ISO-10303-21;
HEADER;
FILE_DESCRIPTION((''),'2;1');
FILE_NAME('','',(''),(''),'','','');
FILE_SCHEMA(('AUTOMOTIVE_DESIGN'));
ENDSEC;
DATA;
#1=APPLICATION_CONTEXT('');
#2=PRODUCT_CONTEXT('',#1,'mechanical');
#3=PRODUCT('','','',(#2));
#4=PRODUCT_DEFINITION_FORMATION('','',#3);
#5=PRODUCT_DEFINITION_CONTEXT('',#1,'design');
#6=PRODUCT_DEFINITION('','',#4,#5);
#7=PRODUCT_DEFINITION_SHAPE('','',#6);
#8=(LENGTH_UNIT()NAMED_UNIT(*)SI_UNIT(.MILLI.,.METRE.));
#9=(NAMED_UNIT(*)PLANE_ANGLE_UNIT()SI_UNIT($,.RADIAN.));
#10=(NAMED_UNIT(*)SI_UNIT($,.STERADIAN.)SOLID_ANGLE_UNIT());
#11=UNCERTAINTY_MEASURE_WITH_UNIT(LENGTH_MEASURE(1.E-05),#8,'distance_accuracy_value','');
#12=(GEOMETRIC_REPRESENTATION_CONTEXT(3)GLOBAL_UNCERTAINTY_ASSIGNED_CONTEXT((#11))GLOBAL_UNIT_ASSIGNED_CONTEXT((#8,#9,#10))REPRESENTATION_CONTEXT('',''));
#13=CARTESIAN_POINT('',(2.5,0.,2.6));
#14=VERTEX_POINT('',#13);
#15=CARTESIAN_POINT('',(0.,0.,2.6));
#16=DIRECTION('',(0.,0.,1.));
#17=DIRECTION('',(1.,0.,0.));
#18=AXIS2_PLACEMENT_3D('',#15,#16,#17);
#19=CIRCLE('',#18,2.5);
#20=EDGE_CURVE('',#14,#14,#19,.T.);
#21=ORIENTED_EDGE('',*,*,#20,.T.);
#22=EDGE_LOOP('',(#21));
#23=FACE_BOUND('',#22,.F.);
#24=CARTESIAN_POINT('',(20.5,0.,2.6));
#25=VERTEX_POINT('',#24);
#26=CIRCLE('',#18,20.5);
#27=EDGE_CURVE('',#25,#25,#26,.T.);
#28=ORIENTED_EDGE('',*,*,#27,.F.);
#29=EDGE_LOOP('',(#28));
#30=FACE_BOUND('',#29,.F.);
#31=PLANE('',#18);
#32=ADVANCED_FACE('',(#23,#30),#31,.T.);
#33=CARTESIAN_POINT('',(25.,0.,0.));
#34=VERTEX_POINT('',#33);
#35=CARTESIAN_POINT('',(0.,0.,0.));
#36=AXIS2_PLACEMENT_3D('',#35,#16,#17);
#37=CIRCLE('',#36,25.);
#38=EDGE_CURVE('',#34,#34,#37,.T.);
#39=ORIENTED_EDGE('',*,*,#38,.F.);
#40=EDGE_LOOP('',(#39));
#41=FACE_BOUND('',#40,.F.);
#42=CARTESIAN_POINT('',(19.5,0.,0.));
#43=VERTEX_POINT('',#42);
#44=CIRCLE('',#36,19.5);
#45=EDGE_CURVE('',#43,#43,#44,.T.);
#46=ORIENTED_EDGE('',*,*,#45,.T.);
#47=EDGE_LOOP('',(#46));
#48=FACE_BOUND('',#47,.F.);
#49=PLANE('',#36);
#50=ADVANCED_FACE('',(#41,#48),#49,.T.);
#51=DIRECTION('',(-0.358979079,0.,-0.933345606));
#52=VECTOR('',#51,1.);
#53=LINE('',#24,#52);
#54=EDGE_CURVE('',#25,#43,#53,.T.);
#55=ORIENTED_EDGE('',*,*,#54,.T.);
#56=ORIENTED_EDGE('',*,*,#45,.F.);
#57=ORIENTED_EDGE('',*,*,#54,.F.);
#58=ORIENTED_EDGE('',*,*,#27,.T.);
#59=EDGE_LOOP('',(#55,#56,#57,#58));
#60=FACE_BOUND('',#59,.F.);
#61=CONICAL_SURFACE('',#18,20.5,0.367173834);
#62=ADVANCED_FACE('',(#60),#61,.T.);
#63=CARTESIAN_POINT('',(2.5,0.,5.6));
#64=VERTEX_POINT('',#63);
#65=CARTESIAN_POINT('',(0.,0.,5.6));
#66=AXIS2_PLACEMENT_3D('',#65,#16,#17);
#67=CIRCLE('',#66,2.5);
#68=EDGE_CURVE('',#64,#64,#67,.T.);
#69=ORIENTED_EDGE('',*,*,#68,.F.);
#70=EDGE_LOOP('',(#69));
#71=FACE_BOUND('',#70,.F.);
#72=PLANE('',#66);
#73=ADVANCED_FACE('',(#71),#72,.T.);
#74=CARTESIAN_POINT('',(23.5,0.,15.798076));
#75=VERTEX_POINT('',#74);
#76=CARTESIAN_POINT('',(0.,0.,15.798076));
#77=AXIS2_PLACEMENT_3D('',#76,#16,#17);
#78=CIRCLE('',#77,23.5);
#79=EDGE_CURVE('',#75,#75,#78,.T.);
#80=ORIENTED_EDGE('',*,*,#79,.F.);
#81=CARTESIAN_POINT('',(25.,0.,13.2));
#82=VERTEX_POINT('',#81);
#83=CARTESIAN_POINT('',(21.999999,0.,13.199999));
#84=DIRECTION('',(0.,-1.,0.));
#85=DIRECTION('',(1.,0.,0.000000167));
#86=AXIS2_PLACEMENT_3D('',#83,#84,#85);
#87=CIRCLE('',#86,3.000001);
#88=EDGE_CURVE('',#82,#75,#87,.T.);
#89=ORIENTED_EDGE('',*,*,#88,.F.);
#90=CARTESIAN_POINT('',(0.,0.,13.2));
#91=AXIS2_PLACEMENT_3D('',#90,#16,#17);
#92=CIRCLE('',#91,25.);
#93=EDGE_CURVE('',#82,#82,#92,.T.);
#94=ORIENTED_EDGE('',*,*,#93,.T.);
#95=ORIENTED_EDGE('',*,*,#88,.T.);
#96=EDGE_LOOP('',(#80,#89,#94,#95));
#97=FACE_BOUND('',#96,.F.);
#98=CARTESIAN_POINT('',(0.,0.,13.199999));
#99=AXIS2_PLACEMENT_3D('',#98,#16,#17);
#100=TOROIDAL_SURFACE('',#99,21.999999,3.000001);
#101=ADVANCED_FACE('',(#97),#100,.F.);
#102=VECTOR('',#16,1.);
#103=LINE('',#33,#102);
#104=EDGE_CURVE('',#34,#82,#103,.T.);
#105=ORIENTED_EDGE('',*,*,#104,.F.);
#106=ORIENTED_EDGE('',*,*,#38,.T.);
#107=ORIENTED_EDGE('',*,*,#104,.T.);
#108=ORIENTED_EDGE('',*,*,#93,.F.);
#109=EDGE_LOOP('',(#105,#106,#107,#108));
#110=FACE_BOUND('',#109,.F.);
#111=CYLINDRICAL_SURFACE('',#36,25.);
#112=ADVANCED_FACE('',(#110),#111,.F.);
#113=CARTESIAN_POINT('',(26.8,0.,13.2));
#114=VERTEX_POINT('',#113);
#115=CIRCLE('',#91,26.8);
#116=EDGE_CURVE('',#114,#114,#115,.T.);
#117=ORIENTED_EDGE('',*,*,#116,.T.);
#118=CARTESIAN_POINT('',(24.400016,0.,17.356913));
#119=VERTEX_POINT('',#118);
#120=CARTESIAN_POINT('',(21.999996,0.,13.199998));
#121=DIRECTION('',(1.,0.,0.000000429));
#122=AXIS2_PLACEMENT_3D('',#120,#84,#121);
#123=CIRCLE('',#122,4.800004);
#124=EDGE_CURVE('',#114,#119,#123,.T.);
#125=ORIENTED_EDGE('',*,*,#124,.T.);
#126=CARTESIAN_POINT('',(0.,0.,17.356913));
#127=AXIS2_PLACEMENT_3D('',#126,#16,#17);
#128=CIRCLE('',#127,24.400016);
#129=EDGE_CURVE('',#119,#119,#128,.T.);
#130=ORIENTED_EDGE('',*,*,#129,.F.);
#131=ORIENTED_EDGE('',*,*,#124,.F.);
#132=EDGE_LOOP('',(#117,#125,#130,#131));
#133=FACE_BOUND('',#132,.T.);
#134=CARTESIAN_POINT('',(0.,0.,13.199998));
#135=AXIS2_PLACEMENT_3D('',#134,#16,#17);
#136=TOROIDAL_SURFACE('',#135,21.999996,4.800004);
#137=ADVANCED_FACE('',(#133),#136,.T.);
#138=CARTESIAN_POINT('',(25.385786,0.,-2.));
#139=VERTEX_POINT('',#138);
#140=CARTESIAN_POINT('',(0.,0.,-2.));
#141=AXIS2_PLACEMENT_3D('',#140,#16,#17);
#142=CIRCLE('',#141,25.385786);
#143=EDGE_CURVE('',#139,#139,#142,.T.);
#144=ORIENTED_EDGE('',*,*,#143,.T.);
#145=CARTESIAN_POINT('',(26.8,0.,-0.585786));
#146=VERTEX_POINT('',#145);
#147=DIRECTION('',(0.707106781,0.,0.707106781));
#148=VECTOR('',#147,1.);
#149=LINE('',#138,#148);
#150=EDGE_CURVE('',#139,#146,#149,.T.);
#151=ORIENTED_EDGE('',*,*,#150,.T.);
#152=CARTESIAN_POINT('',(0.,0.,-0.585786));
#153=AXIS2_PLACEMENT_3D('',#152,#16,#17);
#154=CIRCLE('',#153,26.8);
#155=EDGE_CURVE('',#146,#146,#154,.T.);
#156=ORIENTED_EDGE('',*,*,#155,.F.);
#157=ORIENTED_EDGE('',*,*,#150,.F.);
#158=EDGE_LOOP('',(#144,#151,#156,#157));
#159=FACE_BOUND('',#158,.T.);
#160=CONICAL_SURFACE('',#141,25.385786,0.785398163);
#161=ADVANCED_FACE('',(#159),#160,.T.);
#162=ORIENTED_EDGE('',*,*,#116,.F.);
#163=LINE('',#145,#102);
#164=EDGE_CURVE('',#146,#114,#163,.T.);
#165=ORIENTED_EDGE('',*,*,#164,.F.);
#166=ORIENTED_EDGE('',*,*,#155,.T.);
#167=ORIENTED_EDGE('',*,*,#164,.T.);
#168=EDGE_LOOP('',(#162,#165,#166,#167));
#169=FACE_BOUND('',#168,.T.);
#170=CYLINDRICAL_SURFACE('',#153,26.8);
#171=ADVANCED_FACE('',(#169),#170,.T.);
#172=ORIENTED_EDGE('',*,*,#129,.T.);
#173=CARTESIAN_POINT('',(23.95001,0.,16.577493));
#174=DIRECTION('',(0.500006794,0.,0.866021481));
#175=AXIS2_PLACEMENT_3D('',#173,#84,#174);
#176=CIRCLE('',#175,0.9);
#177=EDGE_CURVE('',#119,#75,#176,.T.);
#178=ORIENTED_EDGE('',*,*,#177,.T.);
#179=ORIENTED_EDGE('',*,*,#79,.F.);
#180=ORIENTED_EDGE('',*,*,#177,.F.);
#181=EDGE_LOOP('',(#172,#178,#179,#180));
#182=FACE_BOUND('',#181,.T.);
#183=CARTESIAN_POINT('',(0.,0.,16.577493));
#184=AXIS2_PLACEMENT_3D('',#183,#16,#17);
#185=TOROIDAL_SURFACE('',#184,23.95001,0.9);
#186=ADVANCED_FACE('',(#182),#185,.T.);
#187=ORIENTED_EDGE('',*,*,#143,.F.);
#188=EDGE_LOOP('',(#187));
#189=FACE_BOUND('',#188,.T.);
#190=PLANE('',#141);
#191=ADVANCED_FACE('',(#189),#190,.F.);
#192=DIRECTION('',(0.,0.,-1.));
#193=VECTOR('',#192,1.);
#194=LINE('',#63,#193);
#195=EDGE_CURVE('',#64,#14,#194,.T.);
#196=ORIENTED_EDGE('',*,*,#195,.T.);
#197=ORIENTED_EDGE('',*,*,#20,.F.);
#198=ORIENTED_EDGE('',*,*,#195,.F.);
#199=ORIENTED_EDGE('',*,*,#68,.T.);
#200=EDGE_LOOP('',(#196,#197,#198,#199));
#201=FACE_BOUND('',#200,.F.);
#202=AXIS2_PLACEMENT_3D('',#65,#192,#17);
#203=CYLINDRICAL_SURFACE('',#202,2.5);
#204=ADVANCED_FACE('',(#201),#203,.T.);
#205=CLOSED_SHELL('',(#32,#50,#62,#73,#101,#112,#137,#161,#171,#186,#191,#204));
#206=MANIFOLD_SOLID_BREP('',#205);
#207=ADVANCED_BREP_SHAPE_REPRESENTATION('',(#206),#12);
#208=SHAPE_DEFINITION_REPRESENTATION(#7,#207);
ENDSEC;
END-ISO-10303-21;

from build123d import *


with BuildPart() as part:
    # Sketch → Revolution (revolve)
    with BuildSketch(Plane.XZ):
        with BuildLine():
            Line((0, 5.6), (2.5, 5.6))
            Line((2.5, 5.6), (2.5, 2.6))
            Line((2.5, 2.6), (20.5, 2.6))
            Line((20.5, 2.6), (19.5, 0))
            Line((19.5, 0), (25, 0))
            Line((25, 0), (25, 13.2))
            ThreePointArc((25, 13.2), (24.598076, 14.7), (23.5, 15.798076))
            ThreePointArc((24.400016, 17.356913), (23.170591, 17.027501), (23.5, 15.798076))
            ThreePointArc((26.8, 13.2), (26.156926, 15.599992), (24.400016, 17.356913))
            Line((26.8, -0.585786), (26.8, 13.2))
            Line((25.385786, -2), (26.8, -0.585786))
            Line((0, -2), (25.385786, -2))
            Line((0, 5.6), (0, -2))
        make_face()
    revolve(axis=Axis((0, 0, 0), (0, 0, 1)))


solid = part.part
